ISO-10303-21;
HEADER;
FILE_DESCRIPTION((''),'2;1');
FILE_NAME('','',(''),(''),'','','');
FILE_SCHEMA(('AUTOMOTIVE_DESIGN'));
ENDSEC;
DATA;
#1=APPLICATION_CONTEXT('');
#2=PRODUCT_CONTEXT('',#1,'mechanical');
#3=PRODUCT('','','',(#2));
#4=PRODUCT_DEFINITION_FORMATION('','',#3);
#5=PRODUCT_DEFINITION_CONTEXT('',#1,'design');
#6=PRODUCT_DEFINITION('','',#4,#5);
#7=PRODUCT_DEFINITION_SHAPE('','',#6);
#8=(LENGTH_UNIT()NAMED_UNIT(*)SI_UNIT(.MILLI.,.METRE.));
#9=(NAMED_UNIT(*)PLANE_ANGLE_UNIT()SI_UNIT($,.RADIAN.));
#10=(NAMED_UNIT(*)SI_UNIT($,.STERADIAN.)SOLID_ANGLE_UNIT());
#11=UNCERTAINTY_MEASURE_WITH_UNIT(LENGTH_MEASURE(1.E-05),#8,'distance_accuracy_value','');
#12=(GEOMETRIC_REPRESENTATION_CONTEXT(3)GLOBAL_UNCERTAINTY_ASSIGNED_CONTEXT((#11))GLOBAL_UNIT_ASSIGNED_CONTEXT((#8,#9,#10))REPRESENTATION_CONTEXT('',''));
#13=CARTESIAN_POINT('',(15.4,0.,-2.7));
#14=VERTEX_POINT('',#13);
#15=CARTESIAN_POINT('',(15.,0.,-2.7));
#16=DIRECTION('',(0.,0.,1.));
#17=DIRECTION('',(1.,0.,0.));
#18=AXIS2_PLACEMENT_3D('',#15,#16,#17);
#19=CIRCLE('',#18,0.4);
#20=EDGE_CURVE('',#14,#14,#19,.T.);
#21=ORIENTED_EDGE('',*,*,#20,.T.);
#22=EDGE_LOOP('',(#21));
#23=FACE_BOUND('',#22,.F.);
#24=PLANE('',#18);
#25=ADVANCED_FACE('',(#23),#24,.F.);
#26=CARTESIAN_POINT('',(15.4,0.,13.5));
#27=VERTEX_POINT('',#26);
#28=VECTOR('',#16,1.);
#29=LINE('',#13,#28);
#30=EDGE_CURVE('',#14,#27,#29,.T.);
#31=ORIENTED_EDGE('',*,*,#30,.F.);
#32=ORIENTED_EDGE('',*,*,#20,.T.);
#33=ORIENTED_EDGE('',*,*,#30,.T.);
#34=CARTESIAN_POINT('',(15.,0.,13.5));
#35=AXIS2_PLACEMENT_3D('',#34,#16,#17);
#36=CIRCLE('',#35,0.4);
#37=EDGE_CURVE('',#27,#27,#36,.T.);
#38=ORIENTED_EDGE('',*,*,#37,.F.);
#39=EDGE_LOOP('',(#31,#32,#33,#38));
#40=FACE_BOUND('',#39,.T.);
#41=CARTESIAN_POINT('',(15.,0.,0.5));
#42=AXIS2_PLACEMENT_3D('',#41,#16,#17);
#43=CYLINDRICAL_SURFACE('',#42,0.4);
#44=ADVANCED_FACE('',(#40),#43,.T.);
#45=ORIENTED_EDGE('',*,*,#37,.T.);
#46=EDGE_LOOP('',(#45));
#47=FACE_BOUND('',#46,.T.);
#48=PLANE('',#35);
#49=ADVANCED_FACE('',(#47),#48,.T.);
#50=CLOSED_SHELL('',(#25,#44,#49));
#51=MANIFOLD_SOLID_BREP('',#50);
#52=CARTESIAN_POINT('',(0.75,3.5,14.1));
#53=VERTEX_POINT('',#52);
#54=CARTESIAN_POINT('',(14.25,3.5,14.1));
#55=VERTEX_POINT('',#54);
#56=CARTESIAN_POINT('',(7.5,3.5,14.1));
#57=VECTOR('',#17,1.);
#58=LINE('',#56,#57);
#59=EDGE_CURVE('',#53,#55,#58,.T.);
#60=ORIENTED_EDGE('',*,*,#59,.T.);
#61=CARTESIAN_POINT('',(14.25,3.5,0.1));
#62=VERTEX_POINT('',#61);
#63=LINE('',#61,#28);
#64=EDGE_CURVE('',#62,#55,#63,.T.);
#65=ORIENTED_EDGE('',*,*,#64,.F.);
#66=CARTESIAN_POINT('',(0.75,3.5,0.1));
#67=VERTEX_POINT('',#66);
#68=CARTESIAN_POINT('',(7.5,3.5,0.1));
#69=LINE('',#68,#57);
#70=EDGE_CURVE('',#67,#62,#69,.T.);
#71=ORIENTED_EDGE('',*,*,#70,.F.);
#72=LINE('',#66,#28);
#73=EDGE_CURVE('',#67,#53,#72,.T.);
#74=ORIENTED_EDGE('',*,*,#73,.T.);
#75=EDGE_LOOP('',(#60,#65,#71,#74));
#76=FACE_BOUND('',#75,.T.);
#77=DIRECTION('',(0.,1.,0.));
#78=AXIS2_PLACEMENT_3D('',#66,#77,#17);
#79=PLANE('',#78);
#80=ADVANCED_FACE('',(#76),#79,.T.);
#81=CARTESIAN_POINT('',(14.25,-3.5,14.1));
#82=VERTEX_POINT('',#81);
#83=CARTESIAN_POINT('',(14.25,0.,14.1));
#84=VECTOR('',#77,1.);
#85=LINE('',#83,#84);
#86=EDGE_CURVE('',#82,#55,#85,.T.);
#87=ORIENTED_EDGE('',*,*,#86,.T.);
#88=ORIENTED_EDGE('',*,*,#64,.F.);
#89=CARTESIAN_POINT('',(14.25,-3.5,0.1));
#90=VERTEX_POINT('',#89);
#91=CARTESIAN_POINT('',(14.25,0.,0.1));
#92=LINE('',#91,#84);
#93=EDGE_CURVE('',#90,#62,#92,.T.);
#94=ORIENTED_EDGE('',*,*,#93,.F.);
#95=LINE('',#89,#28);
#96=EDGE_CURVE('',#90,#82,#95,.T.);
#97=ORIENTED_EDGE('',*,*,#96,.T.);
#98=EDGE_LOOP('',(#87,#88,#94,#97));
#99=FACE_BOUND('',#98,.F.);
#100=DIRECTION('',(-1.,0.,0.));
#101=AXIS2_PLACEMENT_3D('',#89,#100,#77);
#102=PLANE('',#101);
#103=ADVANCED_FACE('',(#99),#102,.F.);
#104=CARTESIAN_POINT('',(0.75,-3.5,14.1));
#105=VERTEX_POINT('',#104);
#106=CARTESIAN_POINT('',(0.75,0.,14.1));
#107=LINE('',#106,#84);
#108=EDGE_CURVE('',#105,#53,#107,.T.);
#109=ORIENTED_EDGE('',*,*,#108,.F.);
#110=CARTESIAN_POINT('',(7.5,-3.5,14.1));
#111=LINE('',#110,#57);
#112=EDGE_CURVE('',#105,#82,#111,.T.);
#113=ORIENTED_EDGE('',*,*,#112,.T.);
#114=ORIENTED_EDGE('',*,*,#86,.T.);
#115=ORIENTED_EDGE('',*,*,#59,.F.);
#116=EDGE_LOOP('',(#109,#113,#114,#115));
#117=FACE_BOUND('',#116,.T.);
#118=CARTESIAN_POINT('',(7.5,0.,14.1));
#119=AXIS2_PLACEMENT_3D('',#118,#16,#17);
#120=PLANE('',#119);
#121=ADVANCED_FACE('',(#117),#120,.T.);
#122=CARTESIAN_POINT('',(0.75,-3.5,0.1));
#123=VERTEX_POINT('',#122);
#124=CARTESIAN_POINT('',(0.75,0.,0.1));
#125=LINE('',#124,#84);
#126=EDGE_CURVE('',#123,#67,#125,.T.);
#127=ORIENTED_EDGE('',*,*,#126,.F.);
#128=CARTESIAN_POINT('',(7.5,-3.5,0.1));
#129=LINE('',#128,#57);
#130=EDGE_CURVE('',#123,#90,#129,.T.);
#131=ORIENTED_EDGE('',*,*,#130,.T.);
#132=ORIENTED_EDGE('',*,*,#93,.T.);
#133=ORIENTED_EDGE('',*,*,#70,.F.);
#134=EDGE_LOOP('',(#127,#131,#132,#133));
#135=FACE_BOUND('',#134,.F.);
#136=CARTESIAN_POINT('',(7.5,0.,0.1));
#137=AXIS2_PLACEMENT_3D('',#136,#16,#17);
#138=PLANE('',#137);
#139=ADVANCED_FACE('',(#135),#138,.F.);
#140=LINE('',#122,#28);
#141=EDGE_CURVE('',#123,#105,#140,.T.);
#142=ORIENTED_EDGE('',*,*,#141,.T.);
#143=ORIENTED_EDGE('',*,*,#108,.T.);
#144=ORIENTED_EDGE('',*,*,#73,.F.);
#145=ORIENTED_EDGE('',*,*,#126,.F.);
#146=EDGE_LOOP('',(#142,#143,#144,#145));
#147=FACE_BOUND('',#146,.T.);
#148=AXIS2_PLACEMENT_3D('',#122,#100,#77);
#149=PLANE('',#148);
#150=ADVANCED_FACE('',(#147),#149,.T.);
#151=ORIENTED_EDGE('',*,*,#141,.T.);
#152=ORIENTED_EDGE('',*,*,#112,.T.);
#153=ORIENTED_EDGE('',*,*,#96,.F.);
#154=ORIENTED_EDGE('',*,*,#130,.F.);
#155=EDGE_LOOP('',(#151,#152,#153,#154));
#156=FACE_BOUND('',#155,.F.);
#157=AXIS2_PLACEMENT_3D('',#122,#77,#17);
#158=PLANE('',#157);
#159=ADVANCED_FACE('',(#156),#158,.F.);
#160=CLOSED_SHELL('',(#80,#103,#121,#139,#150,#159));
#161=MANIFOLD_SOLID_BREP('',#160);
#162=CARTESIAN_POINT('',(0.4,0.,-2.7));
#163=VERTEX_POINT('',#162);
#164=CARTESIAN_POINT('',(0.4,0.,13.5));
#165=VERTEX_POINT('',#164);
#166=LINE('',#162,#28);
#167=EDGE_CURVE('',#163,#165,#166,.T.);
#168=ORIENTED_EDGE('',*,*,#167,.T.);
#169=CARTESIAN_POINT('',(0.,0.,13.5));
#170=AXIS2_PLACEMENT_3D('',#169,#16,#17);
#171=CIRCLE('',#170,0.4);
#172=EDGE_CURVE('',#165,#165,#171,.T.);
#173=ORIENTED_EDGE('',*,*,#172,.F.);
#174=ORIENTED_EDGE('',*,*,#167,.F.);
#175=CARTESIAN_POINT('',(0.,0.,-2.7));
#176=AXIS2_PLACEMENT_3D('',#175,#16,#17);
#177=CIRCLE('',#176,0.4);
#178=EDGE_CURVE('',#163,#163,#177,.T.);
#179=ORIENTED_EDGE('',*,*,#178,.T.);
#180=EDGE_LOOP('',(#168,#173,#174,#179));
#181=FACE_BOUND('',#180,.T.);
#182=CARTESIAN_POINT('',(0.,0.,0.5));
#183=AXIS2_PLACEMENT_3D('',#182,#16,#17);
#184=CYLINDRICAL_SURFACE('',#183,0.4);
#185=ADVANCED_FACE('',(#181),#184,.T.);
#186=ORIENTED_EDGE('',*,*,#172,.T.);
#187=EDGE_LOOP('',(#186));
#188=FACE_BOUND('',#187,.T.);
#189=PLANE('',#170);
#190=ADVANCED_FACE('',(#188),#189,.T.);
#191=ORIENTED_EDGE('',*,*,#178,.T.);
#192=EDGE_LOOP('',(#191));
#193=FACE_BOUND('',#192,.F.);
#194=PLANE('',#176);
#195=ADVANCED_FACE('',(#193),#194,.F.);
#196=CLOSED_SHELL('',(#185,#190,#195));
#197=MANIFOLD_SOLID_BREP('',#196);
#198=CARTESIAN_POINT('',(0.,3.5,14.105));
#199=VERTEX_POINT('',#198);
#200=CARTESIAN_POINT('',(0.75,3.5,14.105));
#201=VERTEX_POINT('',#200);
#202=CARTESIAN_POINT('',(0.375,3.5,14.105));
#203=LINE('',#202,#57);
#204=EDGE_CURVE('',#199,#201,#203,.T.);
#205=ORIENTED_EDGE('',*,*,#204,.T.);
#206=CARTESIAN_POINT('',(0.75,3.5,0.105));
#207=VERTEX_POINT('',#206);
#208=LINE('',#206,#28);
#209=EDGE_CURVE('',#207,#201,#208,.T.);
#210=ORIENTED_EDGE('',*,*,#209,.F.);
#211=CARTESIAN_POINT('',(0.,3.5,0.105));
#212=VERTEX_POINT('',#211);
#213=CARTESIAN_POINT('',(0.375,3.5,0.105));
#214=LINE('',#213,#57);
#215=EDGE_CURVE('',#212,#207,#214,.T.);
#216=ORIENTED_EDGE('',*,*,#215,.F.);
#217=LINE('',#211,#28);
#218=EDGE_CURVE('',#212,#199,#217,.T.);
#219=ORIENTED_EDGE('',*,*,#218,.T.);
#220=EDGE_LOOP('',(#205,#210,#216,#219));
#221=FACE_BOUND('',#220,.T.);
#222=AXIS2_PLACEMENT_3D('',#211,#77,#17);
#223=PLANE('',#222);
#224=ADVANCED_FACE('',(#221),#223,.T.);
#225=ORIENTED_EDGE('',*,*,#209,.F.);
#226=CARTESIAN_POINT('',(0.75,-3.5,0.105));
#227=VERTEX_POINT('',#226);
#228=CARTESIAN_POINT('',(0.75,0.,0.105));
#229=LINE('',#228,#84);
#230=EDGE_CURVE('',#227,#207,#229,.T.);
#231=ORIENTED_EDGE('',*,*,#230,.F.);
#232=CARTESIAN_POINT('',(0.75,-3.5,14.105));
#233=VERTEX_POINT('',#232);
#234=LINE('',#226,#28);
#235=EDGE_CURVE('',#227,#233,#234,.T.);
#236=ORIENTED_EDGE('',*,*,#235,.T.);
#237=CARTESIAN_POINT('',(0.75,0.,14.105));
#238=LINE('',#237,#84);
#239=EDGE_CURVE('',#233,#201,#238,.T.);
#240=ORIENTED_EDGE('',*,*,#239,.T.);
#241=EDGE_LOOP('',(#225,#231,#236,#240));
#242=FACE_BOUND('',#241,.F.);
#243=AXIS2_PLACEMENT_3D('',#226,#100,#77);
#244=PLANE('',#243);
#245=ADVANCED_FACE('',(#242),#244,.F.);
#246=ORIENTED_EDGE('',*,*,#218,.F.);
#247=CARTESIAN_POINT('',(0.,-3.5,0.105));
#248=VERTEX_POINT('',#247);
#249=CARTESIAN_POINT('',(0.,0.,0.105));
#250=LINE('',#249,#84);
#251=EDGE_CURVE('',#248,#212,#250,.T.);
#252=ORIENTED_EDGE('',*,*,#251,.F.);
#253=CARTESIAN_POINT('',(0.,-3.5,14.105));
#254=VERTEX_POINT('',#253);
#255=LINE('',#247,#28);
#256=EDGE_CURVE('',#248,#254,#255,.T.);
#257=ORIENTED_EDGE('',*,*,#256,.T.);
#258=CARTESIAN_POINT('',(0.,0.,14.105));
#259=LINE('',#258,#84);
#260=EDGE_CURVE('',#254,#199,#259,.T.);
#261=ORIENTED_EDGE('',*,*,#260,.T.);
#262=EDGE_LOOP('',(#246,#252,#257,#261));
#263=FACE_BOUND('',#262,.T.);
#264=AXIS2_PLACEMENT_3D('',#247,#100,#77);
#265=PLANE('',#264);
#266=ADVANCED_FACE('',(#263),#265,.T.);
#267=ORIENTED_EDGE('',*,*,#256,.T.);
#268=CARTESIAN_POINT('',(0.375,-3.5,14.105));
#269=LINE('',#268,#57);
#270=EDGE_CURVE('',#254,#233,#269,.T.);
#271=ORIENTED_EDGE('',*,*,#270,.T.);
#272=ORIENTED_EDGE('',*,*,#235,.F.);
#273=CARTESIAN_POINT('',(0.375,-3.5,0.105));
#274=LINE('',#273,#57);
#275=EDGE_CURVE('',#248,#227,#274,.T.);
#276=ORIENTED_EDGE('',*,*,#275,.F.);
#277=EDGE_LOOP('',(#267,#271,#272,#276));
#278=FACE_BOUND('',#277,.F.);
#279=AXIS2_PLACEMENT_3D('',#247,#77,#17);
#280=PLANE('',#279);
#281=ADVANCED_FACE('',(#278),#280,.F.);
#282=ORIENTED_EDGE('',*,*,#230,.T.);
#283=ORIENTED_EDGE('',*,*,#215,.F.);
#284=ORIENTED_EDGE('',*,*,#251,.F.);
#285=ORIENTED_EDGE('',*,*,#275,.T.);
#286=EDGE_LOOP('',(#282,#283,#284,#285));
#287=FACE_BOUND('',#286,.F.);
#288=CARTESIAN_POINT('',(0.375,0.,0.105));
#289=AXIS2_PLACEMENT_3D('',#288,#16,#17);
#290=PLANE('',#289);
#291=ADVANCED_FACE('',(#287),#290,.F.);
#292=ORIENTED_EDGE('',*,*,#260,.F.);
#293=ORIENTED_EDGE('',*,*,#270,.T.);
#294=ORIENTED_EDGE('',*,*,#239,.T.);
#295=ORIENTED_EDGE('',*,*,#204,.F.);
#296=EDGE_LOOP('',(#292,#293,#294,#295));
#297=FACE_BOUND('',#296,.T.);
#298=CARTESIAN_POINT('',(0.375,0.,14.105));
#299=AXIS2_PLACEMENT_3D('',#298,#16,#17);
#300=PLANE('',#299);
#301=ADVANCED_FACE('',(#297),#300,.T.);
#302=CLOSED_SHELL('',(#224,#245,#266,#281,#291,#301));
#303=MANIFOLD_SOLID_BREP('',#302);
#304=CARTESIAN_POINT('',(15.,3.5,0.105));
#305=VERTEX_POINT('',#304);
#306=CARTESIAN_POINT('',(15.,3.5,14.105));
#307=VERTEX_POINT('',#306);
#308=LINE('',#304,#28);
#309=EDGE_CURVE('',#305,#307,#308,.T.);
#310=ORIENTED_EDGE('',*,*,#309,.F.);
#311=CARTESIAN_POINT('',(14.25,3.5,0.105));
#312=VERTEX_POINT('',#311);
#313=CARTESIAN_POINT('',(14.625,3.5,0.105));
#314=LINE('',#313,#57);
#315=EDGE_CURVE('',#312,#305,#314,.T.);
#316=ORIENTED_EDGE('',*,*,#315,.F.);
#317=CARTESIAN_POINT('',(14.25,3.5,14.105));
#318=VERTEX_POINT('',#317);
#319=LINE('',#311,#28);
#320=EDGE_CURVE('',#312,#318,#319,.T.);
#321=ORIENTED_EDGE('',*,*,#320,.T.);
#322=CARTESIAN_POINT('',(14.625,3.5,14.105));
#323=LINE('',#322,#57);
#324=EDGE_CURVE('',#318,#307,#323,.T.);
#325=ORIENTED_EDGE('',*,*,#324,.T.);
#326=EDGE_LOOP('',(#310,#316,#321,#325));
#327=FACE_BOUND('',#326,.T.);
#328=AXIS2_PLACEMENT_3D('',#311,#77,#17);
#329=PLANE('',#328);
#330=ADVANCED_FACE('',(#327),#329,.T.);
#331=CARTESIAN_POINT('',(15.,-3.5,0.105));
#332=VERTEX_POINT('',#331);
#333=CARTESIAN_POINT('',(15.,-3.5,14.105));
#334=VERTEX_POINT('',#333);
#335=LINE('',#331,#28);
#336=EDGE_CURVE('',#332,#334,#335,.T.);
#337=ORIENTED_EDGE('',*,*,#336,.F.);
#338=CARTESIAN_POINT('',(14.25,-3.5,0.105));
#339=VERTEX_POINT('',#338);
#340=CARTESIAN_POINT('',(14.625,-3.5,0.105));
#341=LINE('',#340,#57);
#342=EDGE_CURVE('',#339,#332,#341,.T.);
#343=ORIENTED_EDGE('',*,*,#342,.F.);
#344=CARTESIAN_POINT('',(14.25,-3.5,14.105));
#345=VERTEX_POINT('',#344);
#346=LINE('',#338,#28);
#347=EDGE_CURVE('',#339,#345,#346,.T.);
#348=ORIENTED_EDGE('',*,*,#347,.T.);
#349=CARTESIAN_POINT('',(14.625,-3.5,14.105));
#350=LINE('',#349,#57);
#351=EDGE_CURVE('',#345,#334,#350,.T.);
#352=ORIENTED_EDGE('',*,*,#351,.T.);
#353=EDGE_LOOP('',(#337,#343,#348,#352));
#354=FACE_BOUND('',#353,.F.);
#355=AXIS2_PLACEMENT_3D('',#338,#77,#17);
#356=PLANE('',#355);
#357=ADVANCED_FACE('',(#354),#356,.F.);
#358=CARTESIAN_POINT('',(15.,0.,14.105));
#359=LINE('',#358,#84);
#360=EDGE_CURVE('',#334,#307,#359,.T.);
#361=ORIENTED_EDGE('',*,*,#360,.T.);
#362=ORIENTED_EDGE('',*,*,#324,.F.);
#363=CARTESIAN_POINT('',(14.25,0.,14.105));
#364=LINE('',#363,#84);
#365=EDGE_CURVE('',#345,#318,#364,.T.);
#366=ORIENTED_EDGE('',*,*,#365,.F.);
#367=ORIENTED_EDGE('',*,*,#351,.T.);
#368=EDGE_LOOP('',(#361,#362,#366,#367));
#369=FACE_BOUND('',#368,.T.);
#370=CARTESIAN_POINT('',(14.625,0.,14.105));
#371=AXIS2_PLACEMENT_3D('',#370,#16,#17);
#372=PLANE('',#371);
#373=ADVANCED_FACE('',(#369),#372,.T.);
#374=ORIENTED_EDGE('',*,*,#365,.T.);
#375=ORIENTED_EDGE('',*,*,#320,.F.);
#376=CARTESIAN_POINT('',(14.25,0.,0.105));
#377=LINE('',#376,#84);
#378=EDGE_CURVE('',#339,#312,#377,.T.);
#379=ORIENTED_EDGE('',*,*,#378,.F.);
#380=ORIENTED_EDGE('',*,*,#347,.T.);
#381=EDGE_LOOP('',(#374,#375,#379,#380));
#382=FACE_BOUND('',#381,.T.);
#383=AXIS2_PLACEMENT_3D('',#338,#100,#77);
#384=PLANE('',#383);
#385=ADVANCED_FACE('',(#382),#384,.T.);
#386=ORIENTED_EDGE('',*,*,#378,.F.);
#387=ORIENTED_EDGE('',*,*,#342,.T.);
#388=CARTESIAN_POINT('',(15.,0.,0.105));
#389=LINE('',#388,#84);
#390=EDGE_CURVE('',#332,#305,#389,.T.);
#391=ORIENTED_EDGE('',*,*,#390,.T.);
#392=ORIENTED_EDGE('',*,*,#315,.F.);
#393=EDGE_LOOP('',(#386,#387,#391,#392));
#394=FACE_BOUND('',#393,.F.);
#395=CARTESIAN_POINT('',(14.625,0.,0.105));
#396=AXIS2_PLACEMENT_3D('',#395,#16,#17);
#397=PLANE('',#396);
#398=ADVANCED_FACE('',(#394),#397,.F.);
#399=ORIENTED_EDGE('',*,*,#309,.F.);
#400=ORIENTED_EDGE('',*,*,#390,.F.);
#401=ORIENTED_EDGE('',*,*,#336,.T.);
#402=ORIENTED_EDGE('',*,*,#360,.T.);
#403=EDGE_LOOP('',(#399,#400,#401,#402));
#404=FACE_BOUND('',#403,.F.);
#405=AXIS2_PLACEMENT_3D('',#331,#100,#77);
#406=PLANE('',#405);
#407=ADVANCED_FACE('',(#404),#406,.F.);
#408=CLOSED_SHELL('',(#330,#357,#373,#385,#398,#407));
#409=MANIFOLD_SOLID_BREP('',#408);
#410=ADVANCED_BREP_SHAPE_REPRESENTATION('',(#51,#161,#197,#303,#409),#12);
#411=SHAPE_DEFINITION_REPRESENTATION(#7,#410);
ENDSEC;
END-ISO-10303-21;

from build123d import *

# Parameters (mm, degrees)
SKETCH_W          = 13.5
SKETCH_H          = 7
PAD_DEPTH         = 14
SKETCH001_R       = 0.4
PAD001_DEPTH      = 13
PAD001_DEPTH_BACK = 3.2
SKETCH002_W       = 0.75
SKETCH002_H       = 7
PAD002_DEPTH      = 14


with BuildPart() as pad:
    # Sketch → Pad (new body)
    with BuildSketch(Plane.XY.offset(0.1)):
        with Locations((7.5, 0)):
            Rectangle(SKETCH_W, SKETCH_H)
    extrude(amount=PAD_DEPTH)


with BuildPart() as pad001:
    # Sketch001 → Pad001 (new body, two sides)
    with BuildSketch(Plane.XY.offset(0.5)) as pad001_sk:
        Circle(SKETCH001_R)
        with Locations((15, 0)):
            Circle(SKETCH001_R)
    extrude(amount=PAD001_DEPTH)
    extrude(pad001_sk.sketch, amount=-PAD001_DEPTH_BACK)


with BuildPart() as pad002:
    # Sketch002 → Pad002 (new body)
    with BuildSketch(Plane.XY.offset(0.105)):
        with Locations((0.375, 0)):
            Rectangle(SKETCH002_W, SKETCH002_H)
        with Locations((14.625, 0)):
            Rectangle(SKETCH002_W, SKETCH002_H)
    extrude(amount=PAD002_DEPTH)


solid = Compound([pad.part, pad001.part, pad002.part])
